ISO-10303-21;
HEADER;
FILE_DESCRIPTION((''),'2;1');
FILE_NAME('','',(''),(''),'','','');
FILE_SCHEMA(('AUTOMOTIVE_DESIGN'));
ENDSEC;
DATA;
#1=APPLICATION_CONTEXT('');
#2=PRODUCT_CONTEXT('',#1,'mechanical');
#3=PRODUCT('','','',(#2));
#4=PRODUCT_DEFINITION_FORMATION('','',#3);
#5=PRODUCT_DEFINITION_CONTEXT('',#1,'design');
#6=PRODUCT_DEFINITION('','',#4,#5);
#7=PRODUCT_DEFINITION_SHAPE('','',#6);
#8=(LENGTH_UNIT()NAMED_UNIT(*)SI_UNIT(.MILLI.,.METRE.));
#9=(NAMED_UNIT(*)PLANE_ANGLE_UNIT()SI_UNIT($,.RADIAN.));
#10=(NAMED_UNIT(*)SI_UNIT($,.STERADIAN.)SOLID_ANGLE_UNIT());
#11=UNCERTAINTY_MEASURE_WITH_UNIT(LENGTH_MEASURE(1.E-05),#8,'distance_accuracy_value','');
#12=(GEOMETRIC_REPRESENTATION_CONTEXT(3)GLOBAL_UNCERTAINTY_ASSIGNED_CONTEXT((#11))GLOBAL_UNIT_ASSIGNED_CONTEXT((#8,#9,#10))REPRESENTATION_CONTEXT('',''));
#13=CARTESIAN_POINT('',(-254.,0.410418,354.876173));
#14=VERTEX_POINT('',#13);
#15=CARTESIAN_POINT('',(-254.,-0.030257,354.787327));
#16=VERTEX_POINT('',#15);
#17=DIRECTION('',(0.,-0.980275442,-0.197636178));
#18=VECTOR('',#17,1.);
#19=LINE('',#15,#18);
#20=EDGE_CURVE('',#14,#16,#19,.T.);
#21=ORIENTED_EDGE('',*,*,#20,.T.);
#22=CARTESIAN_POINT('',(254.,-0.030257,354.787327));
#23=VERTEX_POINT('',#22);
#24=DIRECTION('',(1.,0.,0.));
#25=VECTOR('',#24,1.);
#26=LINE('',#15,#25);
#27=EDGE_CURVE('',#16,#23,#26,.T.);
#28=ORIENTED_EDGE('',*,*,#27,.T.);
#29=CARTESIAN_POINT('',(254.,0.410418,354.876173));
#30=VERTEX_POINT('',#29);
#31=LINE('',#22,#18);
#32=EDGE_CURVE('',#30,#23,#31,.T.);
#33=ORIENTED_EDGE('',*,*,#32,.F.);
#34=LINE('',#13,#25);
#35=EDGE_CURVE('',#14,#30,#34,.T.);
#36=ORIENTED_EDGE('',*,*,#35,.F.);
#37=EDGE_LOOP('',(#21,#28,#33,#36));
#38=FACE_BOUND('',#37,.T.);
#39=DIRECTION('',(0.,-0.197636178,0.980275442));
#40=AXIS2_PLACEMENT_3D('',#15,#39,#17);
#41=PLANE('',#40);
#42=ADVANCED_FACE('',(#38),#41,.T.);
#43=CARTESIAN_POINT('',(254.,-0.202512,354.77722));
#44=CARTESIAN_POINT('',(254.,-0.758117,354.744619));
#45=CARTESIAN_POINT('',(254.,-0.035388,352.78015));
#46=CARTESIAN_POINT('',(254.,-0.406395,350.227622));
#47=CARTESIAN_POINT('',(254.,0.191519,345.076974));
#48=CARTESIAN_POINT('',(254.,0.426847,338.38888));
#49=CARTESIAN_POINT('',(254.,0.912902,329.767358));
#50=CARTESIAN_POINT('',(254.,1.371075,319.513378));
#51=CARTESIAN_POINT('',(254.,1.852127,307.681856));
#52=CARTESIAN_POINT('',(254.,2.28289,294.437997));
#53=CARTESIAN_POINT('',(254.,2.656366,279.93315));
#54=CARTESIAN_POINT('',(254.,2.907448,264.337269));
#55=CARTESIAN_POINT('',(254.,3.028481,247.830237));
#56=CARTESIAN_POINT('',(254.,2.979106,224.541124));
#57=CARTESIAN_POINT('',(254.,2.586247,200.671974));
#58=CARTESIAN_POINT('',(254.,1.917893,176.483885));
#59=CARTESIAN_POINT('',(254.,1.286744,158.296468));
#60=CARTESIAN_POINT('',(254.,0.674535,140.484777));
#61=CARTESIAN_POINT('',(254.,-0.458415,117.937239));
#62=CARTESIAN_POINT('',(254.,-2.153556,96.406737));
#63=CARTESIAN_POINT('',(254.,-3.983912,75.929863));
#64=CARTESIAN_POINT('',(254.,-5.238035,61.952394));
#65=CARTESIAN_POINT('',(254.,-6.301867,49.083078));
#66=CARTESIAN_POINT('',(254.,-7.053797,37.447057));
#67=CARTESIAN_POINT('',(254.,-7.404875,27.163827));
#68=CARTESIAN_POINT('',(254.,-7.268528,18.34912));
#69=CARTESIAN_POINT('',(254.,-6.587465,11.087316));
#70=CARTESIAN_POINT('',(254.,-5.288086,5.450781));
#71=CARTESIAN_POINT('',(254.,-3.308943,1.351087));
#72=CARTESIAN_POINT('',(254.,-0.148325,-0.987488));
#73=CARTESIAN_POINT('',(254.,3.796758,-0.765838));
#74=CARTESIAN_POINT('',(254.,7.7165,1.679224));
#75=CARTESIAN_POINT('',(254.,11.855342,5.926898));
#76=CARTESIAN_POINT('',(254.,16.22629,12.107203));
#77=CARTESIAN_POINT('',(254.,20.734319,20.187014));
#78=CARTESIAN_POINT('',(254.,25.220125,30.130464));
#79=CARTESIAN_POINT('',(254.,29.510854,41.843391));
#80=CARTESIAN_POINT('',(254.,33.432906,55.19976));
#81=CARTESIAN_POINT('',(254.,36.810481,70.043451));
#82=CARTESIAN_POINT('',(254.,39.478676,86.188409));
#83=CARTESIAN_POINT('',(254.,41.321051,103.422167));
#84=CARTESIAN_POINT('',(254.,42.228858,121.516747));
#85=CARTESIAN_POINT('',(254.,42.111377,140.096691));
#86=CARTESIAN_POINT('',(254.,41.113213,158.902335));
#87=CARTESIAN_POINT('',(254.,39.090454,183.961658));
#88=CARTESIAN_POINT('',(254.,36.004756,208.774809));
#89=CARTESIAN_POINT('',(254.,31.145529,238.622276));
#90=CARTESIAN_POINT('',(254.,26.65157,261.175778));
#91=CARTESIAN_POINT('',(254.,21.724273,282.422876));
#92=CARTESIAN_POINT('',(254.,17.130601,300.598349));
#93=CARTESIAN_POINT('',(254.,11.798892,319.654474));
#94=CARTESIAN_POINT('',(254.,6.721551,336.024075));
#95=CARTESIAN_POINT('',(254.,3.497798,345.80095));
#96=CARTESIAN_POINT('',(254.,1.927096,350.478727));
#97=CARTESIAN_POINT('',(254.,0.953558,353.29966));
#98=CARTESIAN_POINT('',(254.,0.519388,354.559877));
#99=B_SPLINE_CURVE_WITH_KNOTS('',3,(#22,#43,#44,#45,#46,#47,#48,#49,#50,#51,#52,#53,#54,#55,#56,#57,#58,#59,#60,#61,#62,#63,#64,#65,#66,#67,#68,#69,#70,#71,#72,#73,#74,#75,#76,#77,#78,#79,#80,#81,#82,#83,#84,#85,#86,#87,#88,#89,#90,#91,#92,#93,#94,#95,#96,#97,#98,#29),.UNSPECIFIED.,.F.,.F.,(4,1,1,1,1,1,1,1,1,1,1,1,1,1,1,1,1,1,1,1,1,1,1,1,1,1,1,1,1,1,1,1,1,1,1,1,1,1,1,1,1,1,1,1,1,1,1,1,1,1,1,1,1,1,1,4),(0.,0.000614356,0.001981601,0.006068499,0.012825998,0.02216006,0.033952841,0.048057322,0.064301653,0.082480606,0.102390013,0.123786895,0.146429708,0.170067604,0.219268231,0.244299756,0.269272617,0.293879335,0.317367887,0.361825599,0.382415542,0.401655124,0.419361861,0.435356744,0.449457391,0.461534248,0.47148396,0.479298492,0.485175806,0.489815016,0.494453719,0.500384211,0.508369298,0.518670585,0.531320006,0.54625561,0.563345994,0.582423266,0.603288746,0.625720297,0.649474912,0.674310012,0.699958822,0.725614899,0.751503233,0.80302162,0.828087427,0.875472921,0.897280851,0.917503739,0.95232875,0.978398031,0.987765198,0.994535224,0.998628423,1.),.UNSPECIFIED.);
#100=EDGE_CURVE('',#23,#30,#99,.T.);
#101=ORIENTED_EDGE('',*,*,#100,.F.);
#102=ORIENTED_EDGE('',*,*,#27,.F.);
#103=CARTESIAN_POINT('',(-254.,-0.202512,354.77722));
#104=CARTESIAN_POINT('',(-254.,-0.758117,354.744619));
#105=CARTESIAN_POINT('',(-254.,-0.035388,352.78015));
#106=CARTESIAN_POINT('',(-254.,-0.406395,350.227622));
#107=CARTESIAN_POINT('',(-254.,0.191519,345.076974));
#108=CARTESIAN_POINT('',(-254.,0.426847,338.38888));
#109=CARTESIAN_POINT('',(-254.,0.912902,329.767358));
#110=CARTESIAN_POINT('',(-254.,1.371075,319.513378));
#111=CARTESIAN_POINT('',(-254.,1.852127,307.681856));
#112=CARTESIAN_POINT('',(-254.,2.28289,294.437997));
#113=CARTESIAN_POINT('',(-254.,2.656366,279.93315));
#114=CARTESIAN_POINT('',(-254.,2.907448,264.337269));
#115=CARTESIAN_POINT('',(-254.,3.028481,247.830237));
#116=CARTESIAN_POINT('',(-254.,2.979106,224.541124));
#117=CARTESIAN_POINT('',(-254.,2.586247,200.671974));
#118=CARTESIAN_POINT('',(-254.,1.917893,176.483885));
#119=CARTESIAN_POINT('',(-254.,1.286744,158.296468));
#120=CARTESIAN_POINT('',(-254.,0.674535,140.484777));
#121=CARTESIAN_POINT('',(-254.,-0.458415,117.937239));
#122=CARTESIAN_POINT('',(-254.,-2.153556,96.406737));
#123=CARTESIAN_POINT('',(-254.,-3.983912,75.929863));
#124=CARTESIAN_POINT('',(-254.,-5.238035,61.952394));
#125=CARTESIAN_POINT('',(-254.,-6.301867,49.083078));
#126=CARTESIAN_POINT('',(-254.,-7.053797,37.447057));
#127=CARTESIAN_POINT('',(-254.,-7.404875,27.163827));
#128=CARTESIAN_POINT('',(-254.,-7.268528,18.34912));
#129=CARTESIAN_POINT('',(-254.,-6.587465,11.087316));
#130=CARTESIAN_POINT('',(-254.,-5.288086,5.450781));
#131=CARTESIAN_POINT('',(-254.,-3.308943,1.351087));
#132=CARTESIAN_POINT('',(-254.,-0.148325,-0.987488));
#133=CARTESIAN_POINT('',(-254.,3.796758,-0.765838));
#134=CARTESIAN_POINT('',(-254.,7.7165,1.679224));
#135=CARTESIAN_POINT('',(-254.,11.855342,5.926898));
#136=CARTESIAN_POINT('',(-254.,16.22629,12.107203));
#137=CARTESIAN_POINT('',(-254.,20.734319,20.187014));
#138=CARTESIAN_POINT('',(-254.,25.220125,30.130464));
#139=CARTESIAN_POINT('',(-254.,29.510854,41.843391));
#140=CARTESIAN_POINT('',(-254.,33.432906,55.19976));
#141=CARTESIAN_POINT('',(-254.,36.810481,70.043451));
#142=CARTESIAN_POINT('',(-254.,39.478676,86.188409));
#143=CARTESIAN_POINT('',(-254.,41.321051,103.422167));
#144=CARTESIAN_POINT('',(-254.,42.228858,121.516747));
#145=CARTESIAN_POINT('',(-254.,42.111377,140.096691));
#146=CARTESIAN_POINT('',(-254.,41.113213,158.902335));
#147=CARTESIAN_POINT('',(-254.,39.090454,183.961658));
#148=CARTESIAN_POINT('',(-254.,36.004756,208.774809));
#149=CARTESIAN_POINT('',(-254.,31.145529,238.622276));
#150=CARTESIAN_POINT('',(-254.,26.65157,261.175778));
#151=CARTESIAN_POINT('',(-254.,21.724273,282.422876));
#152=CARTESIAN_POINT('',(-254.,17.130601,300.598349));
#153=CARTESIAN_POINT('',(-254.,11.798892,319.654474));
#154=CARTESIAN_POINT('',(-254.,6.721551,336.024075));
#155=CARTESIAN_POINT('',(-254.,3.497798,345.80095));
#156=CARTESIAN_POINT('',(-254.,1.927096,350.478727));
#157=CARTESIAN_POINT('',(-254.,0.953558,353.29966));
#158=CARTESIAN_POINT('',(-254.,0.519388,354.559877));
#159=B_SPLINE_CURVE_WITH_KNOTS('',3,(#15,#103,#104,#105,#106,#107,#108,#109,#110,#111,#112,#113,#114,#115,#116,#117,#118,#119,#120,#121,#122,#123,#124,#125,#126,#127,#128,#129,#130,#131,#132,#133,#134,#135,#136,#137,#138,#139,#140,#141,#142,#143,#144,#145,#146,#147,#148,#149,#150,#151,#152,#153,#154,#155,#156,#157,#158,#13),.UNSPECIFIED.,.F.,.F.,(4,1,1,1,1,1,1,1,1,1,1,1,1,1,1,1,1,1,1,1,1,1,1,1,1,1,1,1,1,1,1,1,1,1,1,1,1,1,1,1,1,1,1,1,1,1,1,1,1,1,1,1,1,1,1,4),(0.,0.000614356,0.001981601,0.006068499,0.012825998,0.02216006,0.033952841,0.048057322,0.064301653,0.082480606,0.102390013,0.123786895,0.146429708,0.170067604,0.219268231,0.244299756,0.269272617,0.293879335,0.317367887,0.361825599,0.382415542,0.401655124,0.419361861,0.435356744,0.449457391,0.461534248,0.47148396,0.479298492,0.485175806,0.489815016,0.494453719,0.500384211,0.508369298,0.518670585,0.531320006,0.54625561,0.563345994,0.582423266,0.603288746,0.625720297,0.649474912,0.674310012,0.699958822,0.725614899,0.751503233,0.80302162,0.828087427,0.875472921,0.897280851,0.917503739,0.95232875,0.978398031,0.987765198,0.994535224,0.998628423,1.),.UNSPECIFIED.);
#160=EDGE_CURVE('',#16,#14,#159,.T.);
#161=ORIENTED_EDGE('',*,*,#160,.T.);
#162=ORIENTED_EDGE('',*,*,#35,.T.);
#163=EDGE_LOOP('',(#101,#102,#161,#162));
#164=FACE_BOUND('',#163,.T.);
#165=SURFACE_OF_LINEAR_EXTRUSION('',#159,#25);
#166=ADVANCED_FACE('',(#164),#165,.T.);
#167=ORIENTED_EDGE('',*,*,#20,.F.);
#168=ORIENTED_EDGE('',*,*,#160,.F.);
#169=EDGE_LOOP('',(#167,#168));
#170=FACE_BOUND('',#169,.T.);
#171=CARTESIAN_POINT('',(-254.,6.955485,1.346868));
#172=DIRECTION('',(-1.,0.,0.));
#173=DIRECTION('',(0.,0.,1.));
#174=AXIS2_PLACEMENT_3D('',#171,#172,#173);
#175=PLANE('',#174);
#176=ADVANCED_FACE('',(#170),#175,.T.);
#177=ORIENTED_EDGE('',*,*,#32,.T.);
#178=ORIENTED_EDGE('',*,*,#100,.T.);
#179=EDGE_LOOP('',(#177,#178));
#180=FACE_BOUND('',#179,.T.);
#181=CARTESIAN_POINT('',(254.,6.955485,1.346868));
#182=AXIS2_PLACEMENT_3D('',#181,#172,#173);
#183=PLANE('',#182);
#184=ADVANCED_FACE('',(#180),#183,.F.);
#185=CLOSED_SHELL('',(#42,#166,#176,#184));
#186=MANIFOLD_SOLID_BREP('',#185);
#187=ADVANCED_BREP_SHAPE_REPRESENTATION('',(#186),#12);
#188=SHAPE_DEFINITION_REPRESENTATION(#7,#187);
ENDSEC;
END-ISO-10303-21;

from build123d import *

# Parameters (mm, degrees)
BOSS_EXTRUDE1_DEPTH      = 254
BOSS_EXTRUDE1_DEPTH_BACK = 254


with BuildPart() as part:
    # Sketch1 → Boss-Extrude1 (new, two sides: drawn at the far end of the back side and taken through both)
    with BuildSketch(Plane(origin=(0, 0, 0), x_dir=(0, 0, -1), z_dir=(1, 0, 0)).offset(-BOSS_EXTRUDE1_DEPTH_BACK)):
        with BuildLine():
            Line((-354.787327228, -0.030257196), (-354.876173011, 0.410417887))
            add(Edge.make_bspline(
                [(-354.876173011, 0.410417887), (-354.559877309, 0.519388), (-353.29965963, 0.95355787), (-350.47872665, 1.927095868), (-345.800950265, 3.497798274), (-336.024074692, 6.721551148), (-319.654473712, 11.798891927), (-300.598349456, 17.130600639), (-282.422876264, 21.724272526), (-261.175777938, 26.651569731), (-238.622276389, 31.145528798), (-208.774809213, 36.004755717), (-183.96165787, 39.090454058), (-158.902335219, 41.113212891), (-140.096691022, 42.111376668), (-121.516747473, 42.228858195), (-103.422167262, 41.321050632), (-86.188408528, 39.478676181), (-70.043450957, 36.810480574), (-55.199760436, 33.432905997), (-41.843390777, 29.510854383), (-30.130463623, 25.220125297), (-20.187014188, 20.73431935), (-12.107203154, 16.226289935), (-5.926897661, 11.855341958), (-1.679224073, 7.716499794), (0.765838065, 3.796757813), (0.987487677, -0.148325216), (-1.35108726, -3.308943186), (-5.450780885, -5.288085739), (-11.087315968, -6.587464624), (-18.34911979, -7.268527656), (-27.163826626, -7.404874951), (-37.447057223, -7.053797092), (-49.083078017, -6.301866785), (-61.95239395, -5.238034817), (-75.929862643, -3.983911698), (-96.406736552, -2.153555858), (-117.937239158, -0.458414508), (-140.484776897, 0.674535203), (-158.296467959, 1.286744043), (-176.48388462, 1.917893193), (-200.671973719, 2.586246563), (-224.541124114, 2.979106232), (-247.830237405, 3.028480659), (-264.337268621, 2.907447598), (-279.933149694, 2.656365926), (-294.437996632, 2.282890374), (-307.681856469, 1.852126627), (-319.513378006, 1.371074809), (-329.767358246, 0.912902227), (-338.388880463, 0.426846955), (-345.076973543, 0.191518705), (-350.227621538, -0.406394891), (-352.780150329, -0.035387827), (-354.744619464, -0.75811662), (-354.777220059, -0.20251155), (-354.787327228, -0.030257196)],
                knots=[0, 0, 0, 0, 0.001371577, 0.005464776, 0.012234802, 0.021601969, 0.04767125, 0.082496261, 0.102719149, 0.124527079, 0.171912573, 0.19697838, 0.248496767, 0.274385101, 0.300041178, 0.325689988, 0.350525088, 0.374279703, 0.396711254, 0.417576734, 0.436654006, 0.45374439, 0.468679994, 0.481329415, 0.491630702, 0.499615789, 0.505546281, 0.510184984, 0.514824194, 0.520701508, 0.52851604, 0.538465752, 0.550542609, 0.564643256, 0.580638139, 0.598344876, 0.617584458, 0.638174401, 0.682632113, 0.706120665, 0.730727383, 0.755700244, 0.780731769, 0.829932396, 0.853570292, 0.876213105, 0.897609987, 0.917519394, 0.935698347, 0.951942678, 0.966047159, 0.97783994, 0.987174002, 0.993931501, 0.998018399, 0.999385644, 1, 1, 1, 1], degree=3))
        make_face()
    extrude(amount=BOSS_EXTRUDE1_DEPTH + BOSS_EXTRUDE1_DEPTH_BACK)


solid = part.part
